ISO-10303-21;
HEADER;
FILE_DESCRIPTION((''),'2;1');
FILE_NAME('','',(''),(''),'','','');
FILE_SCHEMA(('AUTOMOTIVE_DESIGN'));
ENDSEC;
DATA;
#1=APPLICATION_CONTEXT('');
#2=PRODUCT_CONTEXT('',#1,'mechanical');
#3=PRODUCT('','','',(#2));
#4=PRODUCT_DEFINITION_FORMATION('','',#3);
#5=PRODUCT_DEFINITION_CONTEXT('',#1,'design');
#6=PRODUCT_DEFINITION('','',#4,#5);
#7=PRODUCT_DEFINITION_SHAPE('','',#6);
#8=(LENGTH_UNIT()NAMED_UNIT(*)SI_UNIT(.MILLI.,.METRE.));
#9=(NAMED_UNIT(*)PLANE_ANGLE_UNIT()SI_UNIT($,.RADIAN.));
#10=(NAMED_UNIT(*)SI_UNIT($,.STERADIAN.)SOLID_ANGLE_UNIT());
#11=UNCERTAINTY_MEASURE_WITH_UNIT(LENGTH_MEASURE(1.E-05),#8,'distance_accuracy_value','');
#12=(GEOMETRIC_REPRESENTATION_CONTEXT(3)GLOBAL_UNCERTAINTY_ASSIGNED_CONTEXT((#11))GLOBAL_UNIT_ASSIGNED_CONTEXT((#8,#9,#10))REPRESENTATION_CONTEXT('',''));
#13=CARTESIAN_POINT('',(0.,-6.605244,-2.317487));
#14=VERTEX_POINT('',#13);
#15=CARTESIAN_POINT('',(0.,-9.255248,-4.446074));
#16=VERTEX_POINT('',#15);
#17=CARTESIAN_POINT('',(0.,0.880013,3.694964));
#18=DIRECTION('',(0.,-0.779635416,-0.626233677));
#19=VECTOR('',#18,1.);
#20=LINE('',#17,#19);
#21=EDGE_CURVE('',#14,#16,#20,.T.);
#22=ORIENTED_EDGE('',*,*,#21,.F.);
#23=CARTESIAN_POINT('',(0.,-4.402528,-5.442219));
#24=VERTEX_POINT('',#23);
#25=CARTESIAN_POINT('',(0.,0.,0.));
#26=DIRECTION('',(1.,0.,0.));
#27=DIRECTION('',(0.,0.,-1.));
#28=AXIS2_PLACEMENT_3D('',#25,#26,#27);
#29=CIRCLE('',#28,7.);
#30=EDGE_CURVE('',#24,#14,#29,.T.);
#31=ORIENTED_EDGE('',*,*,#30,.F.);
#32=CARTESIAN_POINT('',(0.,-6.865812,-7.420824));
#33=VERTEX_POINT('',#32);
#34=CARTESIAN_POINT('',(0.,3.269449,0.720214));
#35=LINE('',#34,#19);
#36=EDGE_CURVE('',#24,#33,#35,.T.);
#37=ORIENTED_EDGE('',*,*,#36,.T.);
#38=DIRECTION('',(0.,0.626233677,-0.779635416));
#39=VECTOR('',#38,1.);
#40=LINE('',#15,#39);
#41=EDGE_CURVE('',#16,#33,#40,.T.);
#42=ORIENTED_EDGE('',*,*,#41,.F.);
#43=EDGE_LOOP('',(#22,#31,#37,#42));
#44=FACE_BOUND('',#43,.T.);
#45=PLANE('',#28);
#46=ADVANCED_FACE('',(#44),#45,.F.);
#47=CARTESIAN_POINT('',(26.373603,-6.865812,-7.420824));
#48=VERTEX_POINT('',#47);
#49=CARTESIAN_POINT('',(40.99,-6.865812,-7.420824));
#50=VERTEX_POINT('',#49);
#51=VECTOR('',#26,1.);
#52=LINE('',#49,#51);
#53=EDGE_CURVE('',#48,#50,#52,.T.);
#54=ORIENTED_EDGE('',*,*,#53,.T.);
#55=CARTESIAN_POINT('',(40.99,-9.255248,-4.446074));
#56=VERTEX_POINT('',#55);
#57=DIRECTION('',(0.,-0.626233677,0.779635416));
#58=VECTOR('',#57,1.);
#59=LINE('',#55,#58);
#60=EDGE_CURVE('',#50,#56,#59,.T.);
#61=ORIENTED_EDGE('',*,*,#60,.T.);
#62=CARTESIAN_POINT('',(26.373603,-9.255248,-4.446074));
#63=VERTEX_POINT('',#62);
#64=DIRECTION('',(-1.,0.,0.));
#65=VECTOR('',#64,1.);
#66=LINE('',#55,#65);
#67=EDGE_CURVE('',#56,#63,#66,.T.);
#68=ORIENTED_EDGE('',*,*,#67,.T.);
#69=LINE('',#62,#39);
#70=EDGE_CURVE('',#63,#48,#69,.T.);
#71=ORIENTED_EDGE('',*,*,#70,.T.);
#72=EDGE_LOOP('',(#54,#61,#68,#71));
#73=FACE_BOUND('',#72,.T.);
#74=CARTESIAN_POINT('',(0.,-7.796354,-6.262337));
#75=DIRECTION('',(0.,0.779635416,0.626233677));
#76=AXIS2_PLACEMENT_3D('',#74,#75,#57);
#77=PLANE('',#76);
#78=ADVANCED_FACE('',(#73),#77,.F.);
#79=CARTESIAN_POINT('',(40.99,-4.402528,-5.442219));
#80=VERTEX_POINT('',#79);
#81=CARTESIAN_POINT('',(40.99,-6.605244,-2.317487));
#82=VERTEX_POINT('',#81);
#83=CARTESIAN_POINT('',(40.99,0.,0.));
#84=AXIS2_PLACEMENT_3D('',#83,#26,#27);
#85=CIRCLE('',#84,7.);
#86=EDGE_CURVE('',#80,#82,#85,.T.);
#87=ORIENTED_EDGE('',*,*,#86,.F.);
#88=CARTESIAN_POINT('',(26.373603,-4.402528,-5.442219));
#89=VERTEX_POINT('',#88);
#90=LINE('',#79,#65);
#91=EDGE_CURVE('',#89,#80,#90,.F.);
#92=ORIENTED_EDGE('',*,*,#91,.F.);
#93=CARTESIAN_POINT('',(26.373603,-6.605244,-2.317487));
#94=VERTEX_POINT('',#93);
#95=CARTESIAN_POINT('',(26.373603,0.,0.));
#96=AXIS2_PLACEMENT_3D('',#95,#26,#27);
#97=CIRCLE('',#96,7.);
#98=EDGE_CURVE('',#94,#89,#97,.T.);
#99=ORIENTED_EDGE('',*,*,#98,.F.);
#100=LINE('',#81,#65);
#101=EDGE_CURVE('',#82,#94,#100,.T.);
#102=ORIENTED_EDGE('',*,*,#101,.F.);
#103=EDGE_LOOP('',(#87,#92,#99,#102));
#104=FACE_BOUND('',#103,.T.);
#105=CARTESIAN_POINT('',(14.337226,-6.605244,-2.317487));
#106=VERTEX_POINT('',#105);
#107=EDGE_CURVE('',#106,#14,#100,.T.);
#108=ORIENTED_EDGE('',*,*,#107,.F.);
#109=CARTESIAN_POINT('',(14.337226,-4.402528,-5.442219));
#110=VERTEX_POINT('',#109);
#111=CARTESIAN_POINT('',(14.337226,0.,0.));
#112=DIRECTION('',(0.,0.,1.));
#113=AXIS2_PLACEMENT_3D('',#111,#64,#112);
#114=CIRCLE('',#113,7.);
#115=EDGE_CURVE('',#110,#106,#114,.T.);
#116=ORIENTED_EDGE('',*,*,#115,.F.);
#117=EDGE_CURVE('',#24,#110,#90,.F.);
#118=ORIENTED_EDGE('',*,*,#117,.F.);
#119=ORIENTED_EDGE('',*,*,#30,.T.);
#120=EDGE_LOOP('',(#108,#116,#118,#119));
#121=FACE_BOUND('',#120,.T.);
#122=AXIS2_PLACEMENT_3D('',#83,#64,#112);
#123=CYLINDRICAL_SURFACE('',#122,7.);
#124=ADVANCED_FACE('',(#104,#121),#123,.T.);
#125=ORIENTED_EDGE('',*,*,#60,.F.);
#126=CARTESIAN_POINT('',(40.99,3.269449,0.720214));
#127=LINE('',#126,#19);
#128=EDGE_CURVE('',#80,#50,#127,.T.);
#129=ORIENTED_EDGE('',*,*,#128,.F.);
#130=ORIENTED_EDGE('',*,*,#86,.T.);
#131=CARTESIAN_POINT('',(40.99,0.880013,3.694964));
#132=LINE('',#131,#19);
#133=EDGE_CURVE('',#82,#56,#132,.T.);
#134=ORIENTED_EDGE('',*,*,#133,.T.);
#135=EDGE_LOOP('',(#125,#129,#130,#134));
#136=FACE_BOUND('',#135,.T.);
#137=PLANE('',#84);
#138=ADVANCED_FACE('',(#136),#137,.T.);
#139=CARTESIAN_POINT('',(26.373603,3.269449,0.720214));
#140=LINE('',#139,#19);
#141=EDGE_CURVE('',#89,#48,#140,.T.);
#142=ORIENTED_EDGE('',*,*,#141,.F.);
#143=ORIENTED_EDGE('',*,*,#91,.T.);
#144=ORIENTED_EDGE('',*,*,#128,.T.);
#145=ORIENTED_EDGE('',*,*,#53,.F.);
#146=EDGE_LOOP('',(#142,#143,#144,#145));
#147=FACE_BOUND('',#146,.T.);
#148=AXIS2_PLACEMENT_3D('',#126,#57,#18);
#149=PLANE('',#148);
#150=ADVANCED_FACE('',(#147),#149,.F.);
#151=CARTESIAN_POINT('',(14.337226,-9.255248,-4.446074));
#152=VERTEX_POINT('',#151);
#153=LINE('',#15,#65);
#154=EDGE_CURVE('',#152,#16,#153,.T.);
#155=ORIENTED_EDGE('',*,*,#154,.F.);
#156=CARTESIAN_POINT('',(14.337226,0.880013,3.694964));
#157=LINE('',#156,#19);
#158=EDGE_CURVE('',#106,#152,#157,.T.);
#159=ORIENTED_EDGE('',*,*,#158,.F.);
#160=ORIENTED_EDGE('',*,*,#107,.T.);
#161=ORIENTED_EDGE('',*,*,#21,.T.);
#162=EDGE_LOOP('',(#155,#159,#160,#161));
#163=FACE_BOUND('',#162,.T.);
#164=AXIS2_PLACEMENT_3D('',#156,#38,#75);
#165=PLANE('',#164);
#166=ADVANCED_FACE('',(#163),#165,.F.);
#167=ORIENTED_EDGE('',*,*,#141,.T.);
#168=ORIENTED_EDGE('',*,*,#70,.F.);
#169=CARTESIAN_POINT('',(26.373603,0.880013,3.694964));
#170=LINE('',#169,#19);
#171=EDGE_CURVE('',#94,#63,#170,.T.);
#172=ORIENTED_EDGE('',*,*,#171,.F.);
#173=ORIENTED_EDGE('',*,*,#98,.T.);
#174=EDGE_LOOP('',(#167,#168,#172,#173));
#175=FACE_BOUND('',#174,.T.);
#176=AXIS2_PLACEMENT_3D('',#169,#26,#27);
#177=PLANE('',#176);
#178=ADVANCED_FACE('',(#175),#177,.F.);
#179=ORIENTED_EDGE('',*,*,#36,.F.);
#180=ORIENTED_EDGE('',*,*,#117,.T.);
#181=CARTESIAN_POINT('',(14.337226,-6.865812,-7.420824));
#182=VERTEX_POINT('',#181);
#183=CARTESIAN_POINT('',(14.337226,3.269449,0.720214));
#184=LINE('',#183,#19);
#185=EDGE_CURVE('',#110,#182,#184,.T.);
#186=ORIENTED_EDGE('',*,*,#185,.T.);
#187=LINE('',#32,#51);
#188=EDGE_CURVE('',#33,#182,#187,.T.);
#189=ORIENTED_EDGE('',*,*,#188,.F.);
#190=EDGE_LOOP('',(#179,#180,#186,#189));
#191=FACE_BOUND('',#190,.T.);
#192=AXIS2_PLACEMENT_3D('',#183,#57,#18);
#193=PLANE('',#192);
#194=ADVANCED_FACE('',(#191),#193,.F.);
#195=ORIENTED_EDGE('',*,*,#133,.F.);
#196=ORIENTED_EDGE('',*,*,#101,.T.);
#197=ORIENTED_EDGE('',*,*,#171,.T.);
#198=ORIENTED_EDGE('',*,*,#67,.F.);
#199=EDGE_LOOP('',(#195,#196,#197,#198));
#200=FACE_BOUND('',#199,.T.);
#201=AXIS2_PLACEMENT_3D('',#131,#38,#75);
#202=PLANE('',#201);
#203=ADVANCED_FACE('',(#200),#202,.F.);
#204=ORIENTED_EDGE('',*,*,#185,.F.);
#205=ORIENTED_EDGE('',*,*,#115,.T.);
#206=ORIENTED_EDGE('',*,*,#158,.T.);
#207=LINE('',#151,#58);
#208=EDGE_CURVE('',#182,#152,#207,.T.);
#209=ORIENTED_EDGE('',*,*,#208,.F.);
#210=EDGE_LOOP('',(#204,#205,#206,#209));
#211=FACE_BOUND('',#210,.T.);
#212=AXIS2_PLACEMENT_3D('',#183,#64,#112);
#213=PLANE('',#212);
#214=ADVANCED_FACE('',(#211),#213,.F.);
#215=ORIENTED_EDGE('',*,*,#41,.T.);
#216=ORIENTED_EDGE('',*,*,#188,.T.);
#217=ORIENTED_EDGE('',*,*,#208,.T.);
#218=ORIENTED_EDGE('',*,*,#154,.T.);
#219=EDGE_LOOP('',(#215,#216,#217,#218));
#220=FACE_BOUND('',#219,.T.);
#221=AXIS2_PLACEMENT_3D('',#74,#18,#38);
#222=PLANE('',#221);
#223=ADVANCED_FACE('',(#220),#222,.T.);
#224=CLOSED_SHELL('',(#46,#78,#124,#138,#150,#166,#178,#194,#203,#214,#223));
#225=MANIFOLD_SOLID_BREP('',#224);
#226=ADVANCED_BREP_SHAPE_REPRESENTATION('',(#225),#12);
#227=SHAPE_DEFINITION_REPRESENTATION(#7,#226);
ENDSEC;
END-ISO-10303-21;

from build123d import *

# Parameters (mm, degrees)
SKETCH1_R             = 7
BOSS_EXTRUDE1_DEPTH   = 40.99
SKETCH2_W             = 14.337226175
SKETCH2_H             = 3.81556612
BOSS_EXTRUDE2_DEPTH   = 3
SKETCH2_W_2           = 14.616397067
BOSS_EXTRUDE2_2_DEPTH = 3
SKETCH3_W             = 14.616397067
SKETCH3_H             = 3.81556612
SKETCH3_W_2           = 14.337226175
BOSS_EXTRUDE3_DEPTH   = 10


with BuildPart() as part:
    # Sketch1 → Boss-Extrude1 (new body)
    with BuildSketch(Plane(origin=(0, 0, 0), x_dir=(0, 0, -1), z_dir=(1, 0, 0))):
        Circle(SKETCH1_R)
    extrude(amount=BOSS_EXTRUDE1_DEPTH)



with BuildPart() as body_2:
    # Sketch2 → Boss-Extrude2 (new body)
    with BuildSketch(Plane(origin=(0, -5.457447914, -4.383635737), x_dir=(1, 0, 0), z_dir=(0, -0.779635416, -0.626233677))):
        with Locations((7.168613088, 0.421848142)):
            Rectangle(SKETCH2_W, SKETCH2_H)
    extrude(amount=BOSS_EXTRUDE2_DEPTH)


with BuildPart() as body_3:
    # Sketch2 → Boss-Extrude2 2 (new body)
    with BuildSketch(Plane(origin=(0, -5.457447914, -4.383635737), x_dir=(1, 0, 0), z_dir=(0, -0.779635416, -0.626233677))):
        with Locations((33.681801467, 0.421848142)):
            Rectangle(SKETCH2_W_2, SKETCH2_H)
    extrude(amount=BOSS_EXTRUDE2_2_DEPTH)


with BuildPart() as part_1:
    add(part.part)

    add(body_2.part)  # Boss-Extrude3 merges body 2

    add(body_3.part)  # Boss-Extrude3 merges body 3
    # Sketch3 → Boss-Extrude3 (add)
    with BuildSketch(Plane(origin=(0, -5.457447914, -4.383635737), x_dir=(1, 0, 0), z_dir=(0, 0.779635416, 0.626233677))):
        with Locations((33.681801467, -0.421848142)):
            Rectangle(SKETCH3_W, SKETCH3_H)
        with Locations((7.168613088, -0.421848142)):
            Rectangle(SKETCH3_W_2, SKETCH3_H)
    extrude(amount=BOSS_EXTRUDE3_DEPTH)


solid = part_1.part
